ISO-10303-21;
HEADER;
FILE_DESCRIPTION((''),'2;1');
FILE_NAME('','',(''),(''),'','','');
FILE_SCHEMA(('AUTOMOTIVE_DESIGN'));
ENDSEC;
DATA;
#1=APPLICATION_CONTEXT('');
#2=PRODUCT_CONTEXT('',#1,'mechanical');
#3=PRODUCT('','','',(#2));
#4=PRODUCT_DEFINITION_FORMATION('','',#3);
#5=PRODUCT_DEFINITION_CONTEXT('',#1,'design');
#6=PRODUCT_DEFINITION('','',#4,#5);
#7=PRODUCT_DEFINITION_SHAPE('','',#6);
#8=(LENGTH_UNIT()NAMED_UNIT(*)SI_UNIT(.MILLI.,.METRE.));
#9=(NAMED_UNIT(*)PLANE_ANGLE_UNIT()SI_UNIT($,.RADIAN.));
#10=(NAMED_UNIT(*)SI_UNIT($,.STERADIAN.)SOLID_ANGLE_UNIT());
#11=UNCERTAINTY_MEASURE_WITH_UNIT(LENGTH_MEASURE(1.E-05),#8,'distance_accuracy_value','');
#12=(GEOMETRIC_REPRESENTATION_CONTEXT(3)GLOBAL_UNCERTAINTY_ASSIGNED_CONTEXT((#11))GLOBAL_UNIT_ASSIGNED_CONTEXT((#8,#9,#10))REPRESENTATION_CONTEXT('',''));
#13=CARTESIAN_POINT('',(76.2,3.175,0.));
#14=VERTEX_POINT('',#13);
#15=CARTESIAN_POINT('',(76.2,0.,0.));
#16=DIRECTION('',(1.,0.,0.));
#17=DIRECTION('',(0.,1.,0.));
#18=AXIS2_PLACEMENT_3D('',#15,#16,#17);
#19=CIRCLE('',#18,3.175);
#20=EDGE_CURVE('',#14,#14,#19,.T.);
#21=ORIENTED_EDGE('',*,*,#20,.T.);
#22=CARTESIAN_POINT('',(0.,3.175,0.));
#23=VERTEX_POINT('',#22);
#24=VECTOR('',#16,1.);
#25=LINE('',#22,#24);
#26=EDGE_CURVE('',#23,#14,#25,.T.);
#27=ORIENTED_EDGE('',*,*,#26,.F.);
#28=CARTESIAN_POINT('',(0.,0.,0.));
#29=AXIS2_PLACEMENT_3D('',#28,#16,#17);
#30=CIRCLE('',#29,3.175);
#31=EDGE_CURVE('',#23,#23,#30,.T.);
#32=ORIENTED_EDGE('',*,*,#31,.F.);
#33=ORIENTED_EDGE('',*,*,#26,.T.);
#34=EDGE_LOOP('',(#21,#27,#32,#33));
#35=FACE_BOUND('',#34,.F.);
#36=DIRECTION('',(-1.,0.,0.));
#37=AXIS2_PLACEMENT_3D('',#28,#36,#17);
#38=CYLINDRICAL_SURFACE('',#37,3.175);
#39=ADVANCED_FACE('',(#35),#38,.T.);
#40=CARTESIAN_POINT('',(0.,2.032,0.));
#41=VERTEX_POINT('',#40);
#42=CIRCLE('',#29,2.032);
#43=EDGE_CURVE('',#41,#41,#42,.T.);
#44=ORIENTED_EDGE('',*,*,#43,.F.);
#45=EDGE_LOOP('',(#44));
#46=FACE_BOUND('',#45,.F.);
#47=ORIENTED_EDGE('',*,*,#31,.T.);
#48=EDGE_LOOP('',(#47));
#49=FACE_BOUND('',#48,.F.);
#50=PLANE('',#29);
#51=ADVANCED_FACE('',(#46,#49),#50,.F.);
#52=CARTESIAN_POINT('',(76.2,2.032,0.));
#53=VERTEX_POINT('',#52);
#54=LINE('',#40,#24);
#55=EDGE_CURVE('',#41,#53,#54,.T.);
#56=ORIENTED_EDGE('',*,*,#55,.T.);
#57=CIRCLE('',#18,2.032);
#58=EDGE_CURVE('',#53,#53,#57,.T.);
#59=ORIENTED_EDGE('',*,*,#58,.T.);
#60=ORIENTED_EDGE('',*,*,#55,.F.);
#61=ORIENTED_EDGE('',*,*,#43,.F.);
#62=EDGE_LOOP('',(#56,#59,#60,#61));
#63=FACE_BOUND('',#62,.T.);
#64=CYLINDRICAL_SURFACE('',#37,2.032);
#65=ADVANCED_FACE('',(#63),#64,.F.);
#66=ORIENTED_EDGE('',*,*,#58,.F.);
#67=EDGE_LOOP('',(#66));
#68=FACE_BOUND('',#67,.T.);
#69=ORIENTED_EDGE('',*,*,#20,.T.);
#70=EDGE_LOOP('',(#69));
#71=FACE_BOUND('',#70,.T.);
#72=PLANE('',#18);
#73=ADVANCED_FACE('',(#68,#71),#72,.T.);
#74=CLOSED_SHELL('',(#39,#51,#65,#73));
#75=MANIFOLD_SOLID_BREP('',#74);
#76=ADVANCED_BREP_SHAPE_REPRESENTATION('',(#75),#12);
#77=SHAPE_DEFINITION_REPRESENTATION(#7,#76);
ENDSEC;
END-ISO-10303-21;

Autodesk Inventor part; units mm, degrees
ref_plane "YZ Plane" through (0, 0, 0) normal (1, 0, 0) x (0, 1, 0)
ref_plane "XZ Plane" through (0, 0, 0) normal (0, 1, 0) x (-1, 0, 0)
ref_plane "XY Plane" through (0, 0, 0) normal (0, 0, 1) x (1, 0, 0)
sketch "Sketch1" plane through (0, 0, 0) normal (1, 0, 0) x (0, 1, 0)
  circle A0 centre (0, 0) radius 2.032
  circle A1 centre (0, 0) radius 3.175
  dimension "d0" = 4.064
  dimension "d1" = 6.35
extrude "Extrusion1" add sketch "Sketch1" along normal blind 76.2
properties part number "2inStandoff"
